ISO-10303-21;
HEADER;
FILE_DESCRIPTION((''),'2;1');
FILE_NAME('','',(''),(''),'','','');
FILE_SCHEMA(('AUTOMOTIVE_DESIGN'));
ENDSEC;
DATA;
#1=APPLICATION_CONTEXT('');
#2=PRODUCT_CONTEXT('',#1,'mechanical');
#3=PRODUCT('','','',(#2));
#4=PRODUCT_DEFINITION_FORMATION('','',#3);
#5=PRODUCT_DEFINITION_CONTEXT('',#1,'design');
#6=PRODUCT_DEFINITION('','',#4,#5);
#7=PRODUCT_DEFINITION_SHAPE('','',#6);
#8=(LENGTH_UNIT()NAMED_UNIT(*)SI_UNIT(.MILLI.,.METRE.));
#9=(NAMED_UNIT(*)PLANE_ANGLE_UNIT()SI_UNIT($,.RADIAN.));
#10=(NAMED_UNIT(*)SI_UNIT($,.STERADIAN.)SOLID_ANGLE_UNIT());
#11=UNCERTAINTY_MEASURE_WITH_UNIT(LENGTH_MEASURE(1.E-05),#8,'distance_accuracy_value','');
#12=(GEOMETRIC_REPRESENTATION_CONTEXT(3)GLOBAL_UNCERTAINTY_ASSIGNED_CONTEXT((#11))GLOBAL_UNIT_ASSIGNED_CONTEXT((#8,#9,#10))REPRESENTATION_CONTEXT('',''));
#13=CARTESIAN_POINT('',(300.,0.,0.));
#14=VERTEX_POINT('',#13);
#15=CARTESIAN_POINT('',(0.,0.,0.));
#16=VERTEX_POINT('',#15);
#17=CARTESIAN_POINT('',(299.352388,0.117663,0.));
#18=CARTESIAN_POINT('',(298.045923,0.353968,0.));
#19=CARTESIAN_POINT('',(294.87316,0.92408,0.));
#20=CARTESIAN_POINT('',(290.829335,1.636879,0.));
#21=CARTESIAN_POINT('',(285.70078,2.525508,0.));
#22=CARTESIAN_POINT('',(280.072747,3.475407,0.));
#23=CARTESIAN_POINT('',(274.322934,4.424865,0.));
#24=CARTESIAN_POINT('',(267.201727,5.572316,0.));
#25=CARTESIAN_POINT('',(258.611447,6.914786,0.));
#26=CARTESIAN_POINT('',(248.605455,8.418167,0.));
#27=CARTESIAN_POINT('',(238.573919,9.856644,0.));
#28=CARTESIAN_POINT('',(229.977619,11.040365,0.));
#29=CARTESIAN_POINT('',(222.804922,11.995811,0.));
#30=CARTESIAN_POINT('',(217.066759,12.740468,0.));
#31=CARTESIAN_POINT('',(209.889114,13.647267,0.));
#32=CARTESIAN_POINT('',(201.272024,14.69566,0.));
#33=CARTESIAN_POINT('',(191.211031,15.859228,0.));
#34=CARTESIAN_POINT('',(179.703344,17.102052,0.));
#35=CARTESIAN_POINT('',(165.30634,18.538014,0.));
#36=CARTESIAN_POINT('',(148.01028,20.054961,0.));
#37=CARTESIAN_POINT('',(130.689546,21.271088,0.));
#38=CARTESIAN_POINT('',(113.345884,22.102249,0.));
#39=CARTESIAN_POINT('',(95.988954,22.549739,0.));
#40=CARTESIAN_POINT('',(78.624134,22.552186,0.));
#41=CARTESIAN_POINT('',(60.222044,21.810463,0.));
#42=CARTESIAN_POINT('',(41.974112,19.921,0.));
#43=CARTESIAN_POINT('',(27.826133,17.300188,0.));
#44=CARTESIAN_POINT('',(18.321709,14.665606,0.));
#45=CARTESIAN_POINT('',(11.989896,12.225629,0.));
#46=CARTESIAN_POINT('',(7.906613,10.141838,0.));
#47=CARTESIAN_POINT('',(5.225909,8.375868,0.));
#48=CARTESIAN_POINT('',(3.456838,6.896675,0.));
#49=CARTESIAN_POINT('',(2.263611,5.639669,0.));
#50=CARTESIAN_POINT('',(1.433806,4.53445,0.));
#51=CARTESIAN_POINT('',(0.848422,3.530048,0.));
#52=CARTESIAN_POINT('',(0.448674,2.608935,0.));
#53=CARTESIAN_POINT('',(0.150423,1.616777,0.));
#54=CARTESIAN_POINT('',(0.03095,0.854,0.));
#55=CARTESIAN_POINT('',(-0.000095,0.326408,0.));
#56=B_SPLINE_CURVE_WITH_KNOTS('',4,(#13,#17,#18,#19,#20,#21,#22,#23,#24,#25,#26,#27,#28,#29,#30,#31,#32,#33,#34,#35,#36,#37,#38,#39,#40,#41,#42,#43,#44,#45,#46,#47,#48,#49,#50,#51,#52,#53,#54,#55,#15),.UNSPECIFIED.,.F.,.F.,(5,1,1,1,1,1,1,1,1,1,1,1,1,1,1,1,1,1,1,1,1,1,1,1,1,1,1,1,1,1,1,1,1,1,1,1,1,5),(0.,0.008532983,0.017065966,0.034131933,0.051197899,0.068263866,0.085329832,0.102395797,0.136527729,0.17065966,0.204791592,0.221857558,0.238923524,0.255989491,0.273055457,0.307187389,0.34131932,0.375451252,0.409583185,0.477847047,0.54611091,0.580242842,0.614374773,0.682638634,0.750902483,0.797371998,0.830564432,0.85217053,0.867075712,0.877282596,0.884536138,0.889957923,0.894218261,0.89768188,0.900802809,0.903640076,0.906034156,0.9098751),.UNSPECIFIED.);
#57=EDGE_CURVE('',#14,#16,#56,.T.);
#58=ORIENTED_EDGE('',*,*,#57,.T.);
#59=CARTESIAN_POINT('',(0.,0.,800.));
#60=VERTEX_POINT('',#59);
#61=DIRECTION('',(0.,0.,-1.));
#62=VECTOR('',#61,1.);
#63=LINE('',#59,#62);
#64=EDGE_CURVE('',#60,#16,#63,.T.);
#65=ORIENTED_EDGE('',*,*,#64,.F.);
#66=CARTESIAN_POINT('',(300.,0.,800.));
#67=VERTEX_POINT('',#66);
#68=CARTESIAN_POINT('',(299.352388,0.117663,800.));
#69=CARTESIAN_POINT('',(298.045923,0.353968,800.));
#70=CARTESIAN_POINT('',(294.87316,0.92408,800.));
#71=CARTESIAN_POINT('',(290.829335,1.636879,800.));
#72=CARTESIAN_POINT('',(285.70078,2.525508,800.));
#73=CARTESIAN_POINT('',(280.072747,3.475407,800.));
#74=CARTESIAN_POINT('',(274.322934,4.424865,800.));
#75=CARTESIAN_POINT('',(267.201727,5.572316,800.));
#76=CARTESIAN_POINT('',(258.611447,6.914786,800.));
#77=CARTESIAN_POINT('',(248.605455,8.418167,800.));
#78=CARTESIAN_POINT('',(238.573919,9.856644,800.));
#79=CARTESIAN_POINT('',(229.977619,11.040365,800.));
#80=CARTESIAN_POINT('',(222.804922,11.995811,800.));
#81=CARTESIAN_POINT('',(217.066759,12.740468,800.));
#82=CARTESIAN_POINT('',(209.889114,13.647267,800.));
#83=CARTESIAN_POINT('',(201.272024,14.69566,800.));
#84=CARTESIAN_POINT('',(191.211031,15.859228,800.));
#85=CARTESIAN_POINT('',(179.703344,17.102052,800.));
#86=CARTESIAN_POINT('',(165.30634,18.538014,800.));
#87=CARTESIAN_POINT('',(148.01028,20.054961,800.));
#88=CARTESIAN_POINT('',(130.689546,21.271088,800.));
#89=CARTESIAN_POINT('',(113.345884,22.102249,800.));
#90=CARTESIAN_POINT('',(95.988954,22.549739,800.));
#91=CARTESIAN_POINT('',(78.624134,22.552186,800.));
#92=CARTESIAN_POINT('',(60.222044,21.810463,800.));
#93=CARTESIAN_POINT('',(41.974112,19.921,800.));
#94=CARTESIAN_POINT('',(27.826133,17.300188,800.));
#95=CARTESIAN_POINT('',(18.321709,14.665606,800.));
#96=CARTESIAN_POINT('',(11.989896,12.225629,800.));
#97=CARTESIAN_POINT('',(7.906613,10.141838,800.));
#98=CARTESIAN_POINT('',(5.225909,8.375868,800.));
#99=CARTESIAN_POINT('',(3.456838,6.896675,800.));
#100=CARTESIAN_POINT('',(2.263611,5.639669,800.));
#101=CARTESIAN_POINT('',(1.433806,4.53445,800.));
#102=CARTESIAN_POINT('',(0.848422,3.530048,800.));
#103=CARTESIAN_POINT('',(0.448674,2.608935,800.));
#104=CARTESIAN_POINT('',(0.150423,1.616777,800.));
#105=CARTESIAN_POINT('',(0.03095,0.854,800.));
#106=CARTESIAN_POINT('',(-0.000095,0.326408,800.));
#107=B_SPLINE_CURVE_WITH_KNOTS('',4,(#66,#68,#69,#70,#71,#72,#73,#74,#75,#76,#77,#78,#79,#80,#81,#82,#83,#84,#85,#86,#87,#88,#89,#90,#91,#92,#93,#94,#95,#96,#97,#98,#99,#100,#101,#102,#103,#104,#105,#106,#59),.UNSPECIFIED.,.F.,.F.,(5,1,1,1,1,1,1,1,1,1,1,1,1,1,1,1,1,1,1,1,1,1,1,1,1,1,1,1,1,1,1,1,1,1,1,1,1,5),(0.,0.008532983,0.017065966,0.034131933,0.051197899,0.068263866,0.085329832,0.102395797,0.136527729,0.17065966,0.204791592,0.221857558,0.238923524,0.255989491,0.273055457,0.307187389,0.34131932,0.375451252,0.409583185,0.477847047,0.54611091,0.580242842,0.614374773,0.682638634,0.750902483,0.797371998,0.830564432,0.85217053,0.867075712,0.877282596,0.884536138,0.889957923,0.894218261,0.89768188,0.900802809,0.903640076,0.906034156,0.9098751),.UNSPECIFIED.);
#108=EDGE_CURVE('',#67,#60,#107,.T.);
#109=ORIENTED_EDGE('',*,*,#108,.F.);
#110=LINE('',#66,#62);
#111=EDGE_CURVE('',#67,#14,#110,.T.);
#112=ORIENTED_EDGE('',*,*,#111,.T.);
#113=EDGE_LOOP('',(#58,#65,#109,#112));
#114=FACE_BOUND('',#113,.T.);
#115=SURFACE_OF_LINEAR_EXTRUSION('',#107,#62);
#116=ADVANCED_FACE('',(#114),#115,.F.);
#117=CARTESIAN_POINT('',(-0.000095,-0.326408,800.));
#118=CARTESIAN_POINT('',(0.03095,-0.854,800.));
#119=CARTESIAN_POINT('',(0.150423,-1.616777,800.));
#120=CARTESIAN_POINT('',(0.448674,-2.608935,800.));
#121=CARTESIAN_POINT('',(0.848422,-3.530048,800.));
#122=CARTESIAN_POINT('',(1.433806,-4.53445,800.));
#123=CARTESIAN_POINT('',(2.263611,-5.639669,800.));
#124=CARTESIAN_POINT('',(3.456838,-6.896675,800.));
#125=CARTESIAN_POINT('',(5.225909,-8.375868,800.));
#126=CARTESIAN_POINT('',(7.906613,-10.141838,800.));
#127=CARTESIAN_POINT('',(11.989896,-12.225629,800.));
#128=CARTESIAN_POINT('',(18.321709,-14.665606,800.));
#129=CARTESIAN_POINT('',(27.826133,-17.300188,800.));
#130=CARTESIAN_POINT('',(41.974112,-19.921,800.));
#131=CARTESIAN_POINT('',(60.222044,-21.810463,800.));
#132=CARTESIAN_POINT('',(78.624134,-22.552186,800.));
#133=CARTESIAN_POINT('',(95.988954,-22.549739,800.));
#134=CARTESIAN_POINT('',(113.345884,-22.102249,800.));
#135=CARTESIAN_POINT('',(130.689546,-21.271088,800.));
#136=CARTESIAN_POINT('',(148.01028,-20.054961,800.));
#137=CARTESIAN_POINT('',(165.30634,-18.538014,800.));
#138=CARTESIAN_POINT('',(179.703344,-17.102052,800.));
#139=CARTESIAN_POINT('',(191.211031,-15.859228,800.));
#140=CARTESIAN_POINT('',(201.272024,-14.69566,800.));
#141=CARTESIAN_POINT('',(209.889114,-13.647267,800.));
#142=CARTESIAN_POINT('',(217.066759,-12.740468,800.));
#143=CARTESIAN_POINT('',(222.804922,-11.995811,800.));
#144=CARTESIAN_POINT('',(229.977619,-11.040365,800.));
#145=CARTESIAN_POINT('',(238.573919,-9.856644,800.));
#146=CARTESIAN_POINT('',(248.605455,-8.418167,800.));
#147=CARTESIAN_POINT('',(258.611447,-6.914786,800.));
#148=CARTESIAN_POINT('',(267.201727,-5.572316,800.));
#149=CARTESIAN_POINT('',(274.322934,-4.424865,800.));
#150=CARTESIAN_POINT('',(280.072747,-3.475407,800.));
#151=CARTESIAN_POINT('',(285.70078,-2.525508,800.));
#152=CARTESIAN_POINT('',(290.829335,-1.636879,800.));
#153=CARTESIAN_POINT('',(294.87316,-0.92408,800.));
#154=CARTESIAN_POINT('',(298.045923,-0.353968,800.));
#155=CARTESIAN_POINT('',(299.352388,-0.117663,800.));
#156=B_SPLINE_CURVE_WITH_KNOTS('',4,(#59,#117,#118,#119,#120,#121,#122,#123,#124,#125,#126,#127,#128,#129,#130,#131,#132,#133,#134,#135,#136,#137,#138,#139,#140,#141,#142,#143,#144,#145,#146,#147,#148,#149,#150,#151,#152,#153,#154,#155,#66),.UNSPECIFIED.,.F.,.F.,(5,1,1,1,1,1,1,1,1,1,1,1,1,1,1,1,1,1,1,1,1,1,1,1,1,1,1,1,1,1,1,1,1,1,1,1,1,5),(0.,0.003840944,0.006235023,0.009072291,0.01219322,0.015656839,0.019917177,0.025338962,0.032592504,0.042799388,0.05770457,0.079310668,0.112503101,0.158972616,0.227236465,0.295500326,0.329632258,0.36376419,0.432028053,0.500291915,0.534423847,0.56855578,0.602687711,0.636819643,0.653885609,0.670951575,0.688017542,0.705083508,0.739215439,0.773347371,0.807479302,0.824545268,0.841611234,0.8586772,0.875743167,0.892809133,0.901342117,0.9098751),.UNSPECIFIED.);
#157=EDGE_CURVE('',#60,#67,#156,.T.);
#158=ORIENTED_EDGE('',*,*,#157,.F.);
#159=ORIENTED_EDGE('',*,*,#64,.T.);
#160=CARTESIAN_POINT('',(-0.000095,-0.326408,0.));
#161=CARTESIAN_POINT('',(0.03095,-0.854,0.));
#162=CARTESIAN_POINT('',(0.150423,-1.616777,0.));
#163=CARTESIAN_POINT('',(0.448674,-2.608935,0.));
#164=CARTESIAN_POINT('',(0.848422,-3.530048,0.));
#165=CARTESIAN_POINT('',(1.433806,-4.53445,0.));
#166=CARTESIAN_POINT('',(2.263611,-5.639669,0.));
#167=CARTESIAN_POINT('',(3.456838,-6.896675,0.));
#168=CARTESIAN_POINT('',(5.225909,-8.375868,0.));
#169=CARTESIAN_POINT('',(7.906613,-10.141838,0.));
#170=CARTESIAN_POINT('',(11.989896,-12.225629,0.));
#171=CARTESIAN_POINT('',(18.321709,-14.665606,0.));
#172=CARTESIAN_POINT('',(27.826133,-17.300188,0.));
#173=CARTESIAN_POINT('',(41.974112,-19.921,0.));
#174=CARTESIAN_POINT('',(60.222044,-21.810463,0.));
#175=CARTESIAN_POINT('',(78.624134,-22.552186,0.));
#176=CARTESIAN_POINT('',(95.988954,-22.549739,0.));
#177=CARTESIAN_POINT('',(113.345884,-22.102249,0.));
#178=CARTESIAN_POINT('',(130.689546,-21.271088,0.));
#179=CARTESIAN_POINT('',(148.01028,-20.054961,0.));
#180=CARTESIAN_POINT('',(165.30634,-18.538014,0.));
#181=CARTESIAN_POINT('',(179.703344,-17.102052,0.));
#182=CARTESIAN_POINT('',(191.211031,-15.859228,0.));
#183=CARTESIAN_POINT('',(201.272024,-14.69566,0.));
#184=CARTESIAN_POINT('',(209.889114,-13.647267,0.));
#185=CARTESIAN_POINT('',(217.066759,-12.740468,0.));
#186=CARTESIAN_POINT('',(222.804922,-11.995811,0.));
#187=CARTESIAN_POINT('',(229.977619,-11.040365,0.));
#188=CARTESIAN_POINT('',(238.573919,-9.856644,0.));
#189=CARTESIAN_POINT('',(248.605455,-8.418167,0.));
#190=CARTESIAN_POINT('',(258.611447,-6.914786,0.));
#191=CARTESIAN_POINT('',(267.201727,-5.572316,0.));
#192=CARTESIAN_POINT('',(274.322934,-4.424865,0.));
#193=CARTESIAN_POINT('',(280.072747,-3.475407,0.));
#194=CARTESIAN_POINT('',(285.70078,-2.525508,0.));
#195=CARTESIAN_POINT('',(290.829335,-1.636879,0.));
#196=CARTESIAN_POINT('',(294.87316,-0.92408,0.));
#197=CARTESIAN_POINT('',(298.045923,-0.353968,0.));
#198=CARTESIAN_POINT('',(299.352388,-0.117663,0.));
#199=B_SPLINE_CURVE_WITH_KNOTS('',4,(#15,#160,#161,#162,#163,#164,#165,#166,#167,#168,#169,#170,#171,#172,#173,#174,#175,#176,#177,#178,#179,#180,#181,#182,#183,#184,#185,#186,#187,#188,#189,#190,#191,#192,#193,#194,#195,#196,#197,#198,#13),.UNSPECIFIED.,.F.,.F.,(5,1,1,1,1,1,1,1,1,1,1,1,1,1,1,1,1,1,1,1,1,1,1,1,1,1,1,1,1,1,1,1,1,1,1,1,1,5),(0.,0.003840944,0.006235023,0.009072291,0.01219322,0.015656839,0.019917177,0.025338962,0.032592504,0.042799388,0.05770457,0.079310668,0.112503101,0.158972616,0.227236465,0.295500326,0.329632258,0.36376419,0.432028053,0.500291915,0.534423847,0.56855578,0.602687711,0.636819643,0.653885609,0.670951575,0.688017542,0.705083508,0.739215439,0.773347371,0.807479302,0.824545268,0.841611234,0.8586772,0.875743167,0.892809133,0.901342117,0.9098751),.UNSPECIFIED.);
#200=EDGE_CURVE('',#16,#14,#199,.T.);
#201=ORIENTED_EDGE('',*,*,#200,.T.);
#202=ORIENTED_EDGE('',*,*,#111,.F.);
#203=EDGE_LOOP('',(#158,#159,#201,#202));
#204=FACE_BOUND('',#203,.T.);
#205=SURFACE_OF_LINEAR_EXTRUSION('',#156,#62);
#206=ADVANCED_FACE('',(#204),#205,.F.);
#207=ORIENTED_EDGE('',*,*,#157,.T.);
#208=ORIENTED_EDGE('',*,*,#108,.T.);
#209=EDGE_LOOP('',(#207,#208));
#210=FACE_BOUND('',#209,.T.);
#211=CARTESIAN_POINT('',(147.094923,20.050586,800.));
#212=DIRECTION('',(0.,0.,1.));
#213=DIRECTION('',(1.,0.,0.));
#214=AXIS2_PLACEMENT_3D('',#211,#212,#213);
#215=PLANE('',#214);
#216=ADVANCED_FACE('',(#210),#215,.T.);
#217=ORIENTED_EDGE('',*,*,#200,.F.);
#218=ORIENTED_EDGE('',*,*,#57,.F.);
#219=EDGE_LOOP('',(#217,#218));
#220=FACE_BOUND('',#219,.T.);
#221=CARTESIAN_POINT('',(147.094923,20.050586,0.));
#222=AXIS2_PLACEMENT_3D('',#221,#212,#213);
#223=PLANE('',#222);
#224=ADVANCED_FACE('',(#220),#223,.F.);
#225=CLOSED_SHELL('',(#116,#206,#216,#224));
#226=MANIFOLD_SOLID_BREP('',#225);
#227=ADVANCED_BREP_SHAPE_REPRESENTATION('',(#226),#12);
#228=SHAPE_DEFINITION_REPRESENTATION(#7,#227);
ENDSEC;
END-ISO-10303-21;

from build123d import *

# Parameters (mm, degrees)
EXTRUDE_1_DEPTH = 800


with BuildPart() as part:
    # 草图2 → 凸台-拉伸1 (new body)
    with BuildSketch(Plane.XY):
        with BuildLine():
            add(Edge.make_bspline(
                [(0, 0), (-9.5489e-05, -0.326407864), (0.030950281, -0.854000019), (0.150423202, -1.616777315), (0.448674258, -2.608935021), (0.848421592, -3.530047693), (1.433806351, -4.534449955), (2.263610744, -5.639668731), (3.456837907, -6.896675246), (5.225908513, -8.375867947), (7.906613431, -10.141837985), (11.989896233, -12.22562949), (18.321708513, -14.665606049), (27.826133031, -17.300188207), (41.974112353, -19.921000387), (60.222043604, -21.810463358), (78.624134319, -22.552186027), (95.988954389, -22.549739294), (113.345884106, -22.102249143), (130.689546496, -21.271088382), (148.01027967, -20.054961298), (165.306340091, -18.538013572), (179.703344131, -17.102052063), (191.21103146, -15.859228418), (201.272024493, -14.695659938), (209.889114389, -13.64726737), (217.06675899, -12.740467847), (222.804921516, -11.995811085), (229.977619163, -11.040364781), (238.573919489, -9.856643655), (248.605455284, -8.418167008), (258.611446595, -6.914785611), (267.201727162, -5.572315852), (274.322933639, -4.424865398), (280.072746677, -3.475406948), (285.700780324, -2.525508132), (290.829335304, -1.636879112), (294.873159607, -0.924080287), (298.04592284, -0.353968123), (299.35238804, -0.117662998), (300.000000001, 0)],
                knots=[0, 0, 0, 0, 0, 0.003840944, 0.006235023, 0.009072291, 0.01219322, 0.015656839, 0.019917177, 0.025338962, 0.032592504, 0.042799388, 0.05770457, 0.079310668, 0.112503101, 0.158972616, 0.227236465, 0.295500326, 0.329632258, 0.36376419, 0.432028053, 0.500291915, 0.534423847, 0.56855578, 0.602687711, 0.636819643, 0.653885609, 0.670951575, 0.688017542, 0.705083508, 0.739215439, 0.773347371, 0.807479302, 0.824545268, 0.841611234, 0.8586772, 0.875743167, 0.892809133, 0.901342117, 0.9098751, 0.9098751, 0.9098751, 0.9098751, 0.9098751], degree=4))
            add(Edge.make_bspline(
                [(0, 0), (-9.5489e-05, 0.326407864), (0.030950281, 0.854000019), (0.150423202, 1.616777315), (0.448674258, 2.608935021), (0.848421592, 3.530047693), (1.433806351, 4.534449955), (2.263610744, 5.639668731), (3.456837907, 6.896675246), (5.225908513, 8.375867947), (7.906613431, 10.141837985), (11.989896233, 12.22562949), (18.321708513, 14.665606049), (27.826133031, 17.300188207), (41.974112353, 19.921000387), (60.222043604, 21.810463358), (78.624134319, 22.552186027), (95.988954389, 22.549739295), (113.345884106, 22.102249143), (130.689546496, 21.271088382), (148.01027967, 20.054961298), (165.306340091, 18.538013572), (179.703344131, 17.102052063), (191.21103146, 15.859228418), (201.272024493, 14.695659938), (209.889114389, 13.64726737), (217.06675899, 12.740467847), (222.804921516, 11.995811086), (229.977619163, 11.040364781), (238.573919489, 9.856643655), (248.605455284, 8.418167009), (258.611446595, 6.914785611), (267.201727162, 5.572315852), (274.322933639, 4.424865398), (280.072746677, 3.475406948), (285.700780324, 2.525508132), (290.829335304, 1.636879112), (294.873159607, 0.924080288), (298.04592284, 0.353968123), (299.35238804, 0.117662998), (300.000000001, 0)],
                knots=[0, 0, 0, 0, 0, 0.003840944, 0.006235023, 0.009072291, 0.01219322, 0.015656839, 0.019917177, 0.025338962, 0.032592504, 0.042799388, 0.05770457, 0.079310668, 0.112503101, 0.158972616, 0.227236465, 0.295500326, 0.329632258, 0.36376419, 0.432028053, 0.500291915, 0.534423847, 0.56855578, 0.602687711, 0.636819643, 0.653885609, 0.670951575, 0.688017542, 0.705083508, 0.739215439, 0.773347371, 0.807479302, 0.824545268, 0.841611234, 0.8586772, 0.875743167, 0.892809133, 0.901342117, 0.9098751, 0.9098751, 0.9098751, 0.9098751, 0.9098751], degree=4))
        make_face()
    extrude(amount=EXTRUDE_1_DEPTH)


solid = part.part
